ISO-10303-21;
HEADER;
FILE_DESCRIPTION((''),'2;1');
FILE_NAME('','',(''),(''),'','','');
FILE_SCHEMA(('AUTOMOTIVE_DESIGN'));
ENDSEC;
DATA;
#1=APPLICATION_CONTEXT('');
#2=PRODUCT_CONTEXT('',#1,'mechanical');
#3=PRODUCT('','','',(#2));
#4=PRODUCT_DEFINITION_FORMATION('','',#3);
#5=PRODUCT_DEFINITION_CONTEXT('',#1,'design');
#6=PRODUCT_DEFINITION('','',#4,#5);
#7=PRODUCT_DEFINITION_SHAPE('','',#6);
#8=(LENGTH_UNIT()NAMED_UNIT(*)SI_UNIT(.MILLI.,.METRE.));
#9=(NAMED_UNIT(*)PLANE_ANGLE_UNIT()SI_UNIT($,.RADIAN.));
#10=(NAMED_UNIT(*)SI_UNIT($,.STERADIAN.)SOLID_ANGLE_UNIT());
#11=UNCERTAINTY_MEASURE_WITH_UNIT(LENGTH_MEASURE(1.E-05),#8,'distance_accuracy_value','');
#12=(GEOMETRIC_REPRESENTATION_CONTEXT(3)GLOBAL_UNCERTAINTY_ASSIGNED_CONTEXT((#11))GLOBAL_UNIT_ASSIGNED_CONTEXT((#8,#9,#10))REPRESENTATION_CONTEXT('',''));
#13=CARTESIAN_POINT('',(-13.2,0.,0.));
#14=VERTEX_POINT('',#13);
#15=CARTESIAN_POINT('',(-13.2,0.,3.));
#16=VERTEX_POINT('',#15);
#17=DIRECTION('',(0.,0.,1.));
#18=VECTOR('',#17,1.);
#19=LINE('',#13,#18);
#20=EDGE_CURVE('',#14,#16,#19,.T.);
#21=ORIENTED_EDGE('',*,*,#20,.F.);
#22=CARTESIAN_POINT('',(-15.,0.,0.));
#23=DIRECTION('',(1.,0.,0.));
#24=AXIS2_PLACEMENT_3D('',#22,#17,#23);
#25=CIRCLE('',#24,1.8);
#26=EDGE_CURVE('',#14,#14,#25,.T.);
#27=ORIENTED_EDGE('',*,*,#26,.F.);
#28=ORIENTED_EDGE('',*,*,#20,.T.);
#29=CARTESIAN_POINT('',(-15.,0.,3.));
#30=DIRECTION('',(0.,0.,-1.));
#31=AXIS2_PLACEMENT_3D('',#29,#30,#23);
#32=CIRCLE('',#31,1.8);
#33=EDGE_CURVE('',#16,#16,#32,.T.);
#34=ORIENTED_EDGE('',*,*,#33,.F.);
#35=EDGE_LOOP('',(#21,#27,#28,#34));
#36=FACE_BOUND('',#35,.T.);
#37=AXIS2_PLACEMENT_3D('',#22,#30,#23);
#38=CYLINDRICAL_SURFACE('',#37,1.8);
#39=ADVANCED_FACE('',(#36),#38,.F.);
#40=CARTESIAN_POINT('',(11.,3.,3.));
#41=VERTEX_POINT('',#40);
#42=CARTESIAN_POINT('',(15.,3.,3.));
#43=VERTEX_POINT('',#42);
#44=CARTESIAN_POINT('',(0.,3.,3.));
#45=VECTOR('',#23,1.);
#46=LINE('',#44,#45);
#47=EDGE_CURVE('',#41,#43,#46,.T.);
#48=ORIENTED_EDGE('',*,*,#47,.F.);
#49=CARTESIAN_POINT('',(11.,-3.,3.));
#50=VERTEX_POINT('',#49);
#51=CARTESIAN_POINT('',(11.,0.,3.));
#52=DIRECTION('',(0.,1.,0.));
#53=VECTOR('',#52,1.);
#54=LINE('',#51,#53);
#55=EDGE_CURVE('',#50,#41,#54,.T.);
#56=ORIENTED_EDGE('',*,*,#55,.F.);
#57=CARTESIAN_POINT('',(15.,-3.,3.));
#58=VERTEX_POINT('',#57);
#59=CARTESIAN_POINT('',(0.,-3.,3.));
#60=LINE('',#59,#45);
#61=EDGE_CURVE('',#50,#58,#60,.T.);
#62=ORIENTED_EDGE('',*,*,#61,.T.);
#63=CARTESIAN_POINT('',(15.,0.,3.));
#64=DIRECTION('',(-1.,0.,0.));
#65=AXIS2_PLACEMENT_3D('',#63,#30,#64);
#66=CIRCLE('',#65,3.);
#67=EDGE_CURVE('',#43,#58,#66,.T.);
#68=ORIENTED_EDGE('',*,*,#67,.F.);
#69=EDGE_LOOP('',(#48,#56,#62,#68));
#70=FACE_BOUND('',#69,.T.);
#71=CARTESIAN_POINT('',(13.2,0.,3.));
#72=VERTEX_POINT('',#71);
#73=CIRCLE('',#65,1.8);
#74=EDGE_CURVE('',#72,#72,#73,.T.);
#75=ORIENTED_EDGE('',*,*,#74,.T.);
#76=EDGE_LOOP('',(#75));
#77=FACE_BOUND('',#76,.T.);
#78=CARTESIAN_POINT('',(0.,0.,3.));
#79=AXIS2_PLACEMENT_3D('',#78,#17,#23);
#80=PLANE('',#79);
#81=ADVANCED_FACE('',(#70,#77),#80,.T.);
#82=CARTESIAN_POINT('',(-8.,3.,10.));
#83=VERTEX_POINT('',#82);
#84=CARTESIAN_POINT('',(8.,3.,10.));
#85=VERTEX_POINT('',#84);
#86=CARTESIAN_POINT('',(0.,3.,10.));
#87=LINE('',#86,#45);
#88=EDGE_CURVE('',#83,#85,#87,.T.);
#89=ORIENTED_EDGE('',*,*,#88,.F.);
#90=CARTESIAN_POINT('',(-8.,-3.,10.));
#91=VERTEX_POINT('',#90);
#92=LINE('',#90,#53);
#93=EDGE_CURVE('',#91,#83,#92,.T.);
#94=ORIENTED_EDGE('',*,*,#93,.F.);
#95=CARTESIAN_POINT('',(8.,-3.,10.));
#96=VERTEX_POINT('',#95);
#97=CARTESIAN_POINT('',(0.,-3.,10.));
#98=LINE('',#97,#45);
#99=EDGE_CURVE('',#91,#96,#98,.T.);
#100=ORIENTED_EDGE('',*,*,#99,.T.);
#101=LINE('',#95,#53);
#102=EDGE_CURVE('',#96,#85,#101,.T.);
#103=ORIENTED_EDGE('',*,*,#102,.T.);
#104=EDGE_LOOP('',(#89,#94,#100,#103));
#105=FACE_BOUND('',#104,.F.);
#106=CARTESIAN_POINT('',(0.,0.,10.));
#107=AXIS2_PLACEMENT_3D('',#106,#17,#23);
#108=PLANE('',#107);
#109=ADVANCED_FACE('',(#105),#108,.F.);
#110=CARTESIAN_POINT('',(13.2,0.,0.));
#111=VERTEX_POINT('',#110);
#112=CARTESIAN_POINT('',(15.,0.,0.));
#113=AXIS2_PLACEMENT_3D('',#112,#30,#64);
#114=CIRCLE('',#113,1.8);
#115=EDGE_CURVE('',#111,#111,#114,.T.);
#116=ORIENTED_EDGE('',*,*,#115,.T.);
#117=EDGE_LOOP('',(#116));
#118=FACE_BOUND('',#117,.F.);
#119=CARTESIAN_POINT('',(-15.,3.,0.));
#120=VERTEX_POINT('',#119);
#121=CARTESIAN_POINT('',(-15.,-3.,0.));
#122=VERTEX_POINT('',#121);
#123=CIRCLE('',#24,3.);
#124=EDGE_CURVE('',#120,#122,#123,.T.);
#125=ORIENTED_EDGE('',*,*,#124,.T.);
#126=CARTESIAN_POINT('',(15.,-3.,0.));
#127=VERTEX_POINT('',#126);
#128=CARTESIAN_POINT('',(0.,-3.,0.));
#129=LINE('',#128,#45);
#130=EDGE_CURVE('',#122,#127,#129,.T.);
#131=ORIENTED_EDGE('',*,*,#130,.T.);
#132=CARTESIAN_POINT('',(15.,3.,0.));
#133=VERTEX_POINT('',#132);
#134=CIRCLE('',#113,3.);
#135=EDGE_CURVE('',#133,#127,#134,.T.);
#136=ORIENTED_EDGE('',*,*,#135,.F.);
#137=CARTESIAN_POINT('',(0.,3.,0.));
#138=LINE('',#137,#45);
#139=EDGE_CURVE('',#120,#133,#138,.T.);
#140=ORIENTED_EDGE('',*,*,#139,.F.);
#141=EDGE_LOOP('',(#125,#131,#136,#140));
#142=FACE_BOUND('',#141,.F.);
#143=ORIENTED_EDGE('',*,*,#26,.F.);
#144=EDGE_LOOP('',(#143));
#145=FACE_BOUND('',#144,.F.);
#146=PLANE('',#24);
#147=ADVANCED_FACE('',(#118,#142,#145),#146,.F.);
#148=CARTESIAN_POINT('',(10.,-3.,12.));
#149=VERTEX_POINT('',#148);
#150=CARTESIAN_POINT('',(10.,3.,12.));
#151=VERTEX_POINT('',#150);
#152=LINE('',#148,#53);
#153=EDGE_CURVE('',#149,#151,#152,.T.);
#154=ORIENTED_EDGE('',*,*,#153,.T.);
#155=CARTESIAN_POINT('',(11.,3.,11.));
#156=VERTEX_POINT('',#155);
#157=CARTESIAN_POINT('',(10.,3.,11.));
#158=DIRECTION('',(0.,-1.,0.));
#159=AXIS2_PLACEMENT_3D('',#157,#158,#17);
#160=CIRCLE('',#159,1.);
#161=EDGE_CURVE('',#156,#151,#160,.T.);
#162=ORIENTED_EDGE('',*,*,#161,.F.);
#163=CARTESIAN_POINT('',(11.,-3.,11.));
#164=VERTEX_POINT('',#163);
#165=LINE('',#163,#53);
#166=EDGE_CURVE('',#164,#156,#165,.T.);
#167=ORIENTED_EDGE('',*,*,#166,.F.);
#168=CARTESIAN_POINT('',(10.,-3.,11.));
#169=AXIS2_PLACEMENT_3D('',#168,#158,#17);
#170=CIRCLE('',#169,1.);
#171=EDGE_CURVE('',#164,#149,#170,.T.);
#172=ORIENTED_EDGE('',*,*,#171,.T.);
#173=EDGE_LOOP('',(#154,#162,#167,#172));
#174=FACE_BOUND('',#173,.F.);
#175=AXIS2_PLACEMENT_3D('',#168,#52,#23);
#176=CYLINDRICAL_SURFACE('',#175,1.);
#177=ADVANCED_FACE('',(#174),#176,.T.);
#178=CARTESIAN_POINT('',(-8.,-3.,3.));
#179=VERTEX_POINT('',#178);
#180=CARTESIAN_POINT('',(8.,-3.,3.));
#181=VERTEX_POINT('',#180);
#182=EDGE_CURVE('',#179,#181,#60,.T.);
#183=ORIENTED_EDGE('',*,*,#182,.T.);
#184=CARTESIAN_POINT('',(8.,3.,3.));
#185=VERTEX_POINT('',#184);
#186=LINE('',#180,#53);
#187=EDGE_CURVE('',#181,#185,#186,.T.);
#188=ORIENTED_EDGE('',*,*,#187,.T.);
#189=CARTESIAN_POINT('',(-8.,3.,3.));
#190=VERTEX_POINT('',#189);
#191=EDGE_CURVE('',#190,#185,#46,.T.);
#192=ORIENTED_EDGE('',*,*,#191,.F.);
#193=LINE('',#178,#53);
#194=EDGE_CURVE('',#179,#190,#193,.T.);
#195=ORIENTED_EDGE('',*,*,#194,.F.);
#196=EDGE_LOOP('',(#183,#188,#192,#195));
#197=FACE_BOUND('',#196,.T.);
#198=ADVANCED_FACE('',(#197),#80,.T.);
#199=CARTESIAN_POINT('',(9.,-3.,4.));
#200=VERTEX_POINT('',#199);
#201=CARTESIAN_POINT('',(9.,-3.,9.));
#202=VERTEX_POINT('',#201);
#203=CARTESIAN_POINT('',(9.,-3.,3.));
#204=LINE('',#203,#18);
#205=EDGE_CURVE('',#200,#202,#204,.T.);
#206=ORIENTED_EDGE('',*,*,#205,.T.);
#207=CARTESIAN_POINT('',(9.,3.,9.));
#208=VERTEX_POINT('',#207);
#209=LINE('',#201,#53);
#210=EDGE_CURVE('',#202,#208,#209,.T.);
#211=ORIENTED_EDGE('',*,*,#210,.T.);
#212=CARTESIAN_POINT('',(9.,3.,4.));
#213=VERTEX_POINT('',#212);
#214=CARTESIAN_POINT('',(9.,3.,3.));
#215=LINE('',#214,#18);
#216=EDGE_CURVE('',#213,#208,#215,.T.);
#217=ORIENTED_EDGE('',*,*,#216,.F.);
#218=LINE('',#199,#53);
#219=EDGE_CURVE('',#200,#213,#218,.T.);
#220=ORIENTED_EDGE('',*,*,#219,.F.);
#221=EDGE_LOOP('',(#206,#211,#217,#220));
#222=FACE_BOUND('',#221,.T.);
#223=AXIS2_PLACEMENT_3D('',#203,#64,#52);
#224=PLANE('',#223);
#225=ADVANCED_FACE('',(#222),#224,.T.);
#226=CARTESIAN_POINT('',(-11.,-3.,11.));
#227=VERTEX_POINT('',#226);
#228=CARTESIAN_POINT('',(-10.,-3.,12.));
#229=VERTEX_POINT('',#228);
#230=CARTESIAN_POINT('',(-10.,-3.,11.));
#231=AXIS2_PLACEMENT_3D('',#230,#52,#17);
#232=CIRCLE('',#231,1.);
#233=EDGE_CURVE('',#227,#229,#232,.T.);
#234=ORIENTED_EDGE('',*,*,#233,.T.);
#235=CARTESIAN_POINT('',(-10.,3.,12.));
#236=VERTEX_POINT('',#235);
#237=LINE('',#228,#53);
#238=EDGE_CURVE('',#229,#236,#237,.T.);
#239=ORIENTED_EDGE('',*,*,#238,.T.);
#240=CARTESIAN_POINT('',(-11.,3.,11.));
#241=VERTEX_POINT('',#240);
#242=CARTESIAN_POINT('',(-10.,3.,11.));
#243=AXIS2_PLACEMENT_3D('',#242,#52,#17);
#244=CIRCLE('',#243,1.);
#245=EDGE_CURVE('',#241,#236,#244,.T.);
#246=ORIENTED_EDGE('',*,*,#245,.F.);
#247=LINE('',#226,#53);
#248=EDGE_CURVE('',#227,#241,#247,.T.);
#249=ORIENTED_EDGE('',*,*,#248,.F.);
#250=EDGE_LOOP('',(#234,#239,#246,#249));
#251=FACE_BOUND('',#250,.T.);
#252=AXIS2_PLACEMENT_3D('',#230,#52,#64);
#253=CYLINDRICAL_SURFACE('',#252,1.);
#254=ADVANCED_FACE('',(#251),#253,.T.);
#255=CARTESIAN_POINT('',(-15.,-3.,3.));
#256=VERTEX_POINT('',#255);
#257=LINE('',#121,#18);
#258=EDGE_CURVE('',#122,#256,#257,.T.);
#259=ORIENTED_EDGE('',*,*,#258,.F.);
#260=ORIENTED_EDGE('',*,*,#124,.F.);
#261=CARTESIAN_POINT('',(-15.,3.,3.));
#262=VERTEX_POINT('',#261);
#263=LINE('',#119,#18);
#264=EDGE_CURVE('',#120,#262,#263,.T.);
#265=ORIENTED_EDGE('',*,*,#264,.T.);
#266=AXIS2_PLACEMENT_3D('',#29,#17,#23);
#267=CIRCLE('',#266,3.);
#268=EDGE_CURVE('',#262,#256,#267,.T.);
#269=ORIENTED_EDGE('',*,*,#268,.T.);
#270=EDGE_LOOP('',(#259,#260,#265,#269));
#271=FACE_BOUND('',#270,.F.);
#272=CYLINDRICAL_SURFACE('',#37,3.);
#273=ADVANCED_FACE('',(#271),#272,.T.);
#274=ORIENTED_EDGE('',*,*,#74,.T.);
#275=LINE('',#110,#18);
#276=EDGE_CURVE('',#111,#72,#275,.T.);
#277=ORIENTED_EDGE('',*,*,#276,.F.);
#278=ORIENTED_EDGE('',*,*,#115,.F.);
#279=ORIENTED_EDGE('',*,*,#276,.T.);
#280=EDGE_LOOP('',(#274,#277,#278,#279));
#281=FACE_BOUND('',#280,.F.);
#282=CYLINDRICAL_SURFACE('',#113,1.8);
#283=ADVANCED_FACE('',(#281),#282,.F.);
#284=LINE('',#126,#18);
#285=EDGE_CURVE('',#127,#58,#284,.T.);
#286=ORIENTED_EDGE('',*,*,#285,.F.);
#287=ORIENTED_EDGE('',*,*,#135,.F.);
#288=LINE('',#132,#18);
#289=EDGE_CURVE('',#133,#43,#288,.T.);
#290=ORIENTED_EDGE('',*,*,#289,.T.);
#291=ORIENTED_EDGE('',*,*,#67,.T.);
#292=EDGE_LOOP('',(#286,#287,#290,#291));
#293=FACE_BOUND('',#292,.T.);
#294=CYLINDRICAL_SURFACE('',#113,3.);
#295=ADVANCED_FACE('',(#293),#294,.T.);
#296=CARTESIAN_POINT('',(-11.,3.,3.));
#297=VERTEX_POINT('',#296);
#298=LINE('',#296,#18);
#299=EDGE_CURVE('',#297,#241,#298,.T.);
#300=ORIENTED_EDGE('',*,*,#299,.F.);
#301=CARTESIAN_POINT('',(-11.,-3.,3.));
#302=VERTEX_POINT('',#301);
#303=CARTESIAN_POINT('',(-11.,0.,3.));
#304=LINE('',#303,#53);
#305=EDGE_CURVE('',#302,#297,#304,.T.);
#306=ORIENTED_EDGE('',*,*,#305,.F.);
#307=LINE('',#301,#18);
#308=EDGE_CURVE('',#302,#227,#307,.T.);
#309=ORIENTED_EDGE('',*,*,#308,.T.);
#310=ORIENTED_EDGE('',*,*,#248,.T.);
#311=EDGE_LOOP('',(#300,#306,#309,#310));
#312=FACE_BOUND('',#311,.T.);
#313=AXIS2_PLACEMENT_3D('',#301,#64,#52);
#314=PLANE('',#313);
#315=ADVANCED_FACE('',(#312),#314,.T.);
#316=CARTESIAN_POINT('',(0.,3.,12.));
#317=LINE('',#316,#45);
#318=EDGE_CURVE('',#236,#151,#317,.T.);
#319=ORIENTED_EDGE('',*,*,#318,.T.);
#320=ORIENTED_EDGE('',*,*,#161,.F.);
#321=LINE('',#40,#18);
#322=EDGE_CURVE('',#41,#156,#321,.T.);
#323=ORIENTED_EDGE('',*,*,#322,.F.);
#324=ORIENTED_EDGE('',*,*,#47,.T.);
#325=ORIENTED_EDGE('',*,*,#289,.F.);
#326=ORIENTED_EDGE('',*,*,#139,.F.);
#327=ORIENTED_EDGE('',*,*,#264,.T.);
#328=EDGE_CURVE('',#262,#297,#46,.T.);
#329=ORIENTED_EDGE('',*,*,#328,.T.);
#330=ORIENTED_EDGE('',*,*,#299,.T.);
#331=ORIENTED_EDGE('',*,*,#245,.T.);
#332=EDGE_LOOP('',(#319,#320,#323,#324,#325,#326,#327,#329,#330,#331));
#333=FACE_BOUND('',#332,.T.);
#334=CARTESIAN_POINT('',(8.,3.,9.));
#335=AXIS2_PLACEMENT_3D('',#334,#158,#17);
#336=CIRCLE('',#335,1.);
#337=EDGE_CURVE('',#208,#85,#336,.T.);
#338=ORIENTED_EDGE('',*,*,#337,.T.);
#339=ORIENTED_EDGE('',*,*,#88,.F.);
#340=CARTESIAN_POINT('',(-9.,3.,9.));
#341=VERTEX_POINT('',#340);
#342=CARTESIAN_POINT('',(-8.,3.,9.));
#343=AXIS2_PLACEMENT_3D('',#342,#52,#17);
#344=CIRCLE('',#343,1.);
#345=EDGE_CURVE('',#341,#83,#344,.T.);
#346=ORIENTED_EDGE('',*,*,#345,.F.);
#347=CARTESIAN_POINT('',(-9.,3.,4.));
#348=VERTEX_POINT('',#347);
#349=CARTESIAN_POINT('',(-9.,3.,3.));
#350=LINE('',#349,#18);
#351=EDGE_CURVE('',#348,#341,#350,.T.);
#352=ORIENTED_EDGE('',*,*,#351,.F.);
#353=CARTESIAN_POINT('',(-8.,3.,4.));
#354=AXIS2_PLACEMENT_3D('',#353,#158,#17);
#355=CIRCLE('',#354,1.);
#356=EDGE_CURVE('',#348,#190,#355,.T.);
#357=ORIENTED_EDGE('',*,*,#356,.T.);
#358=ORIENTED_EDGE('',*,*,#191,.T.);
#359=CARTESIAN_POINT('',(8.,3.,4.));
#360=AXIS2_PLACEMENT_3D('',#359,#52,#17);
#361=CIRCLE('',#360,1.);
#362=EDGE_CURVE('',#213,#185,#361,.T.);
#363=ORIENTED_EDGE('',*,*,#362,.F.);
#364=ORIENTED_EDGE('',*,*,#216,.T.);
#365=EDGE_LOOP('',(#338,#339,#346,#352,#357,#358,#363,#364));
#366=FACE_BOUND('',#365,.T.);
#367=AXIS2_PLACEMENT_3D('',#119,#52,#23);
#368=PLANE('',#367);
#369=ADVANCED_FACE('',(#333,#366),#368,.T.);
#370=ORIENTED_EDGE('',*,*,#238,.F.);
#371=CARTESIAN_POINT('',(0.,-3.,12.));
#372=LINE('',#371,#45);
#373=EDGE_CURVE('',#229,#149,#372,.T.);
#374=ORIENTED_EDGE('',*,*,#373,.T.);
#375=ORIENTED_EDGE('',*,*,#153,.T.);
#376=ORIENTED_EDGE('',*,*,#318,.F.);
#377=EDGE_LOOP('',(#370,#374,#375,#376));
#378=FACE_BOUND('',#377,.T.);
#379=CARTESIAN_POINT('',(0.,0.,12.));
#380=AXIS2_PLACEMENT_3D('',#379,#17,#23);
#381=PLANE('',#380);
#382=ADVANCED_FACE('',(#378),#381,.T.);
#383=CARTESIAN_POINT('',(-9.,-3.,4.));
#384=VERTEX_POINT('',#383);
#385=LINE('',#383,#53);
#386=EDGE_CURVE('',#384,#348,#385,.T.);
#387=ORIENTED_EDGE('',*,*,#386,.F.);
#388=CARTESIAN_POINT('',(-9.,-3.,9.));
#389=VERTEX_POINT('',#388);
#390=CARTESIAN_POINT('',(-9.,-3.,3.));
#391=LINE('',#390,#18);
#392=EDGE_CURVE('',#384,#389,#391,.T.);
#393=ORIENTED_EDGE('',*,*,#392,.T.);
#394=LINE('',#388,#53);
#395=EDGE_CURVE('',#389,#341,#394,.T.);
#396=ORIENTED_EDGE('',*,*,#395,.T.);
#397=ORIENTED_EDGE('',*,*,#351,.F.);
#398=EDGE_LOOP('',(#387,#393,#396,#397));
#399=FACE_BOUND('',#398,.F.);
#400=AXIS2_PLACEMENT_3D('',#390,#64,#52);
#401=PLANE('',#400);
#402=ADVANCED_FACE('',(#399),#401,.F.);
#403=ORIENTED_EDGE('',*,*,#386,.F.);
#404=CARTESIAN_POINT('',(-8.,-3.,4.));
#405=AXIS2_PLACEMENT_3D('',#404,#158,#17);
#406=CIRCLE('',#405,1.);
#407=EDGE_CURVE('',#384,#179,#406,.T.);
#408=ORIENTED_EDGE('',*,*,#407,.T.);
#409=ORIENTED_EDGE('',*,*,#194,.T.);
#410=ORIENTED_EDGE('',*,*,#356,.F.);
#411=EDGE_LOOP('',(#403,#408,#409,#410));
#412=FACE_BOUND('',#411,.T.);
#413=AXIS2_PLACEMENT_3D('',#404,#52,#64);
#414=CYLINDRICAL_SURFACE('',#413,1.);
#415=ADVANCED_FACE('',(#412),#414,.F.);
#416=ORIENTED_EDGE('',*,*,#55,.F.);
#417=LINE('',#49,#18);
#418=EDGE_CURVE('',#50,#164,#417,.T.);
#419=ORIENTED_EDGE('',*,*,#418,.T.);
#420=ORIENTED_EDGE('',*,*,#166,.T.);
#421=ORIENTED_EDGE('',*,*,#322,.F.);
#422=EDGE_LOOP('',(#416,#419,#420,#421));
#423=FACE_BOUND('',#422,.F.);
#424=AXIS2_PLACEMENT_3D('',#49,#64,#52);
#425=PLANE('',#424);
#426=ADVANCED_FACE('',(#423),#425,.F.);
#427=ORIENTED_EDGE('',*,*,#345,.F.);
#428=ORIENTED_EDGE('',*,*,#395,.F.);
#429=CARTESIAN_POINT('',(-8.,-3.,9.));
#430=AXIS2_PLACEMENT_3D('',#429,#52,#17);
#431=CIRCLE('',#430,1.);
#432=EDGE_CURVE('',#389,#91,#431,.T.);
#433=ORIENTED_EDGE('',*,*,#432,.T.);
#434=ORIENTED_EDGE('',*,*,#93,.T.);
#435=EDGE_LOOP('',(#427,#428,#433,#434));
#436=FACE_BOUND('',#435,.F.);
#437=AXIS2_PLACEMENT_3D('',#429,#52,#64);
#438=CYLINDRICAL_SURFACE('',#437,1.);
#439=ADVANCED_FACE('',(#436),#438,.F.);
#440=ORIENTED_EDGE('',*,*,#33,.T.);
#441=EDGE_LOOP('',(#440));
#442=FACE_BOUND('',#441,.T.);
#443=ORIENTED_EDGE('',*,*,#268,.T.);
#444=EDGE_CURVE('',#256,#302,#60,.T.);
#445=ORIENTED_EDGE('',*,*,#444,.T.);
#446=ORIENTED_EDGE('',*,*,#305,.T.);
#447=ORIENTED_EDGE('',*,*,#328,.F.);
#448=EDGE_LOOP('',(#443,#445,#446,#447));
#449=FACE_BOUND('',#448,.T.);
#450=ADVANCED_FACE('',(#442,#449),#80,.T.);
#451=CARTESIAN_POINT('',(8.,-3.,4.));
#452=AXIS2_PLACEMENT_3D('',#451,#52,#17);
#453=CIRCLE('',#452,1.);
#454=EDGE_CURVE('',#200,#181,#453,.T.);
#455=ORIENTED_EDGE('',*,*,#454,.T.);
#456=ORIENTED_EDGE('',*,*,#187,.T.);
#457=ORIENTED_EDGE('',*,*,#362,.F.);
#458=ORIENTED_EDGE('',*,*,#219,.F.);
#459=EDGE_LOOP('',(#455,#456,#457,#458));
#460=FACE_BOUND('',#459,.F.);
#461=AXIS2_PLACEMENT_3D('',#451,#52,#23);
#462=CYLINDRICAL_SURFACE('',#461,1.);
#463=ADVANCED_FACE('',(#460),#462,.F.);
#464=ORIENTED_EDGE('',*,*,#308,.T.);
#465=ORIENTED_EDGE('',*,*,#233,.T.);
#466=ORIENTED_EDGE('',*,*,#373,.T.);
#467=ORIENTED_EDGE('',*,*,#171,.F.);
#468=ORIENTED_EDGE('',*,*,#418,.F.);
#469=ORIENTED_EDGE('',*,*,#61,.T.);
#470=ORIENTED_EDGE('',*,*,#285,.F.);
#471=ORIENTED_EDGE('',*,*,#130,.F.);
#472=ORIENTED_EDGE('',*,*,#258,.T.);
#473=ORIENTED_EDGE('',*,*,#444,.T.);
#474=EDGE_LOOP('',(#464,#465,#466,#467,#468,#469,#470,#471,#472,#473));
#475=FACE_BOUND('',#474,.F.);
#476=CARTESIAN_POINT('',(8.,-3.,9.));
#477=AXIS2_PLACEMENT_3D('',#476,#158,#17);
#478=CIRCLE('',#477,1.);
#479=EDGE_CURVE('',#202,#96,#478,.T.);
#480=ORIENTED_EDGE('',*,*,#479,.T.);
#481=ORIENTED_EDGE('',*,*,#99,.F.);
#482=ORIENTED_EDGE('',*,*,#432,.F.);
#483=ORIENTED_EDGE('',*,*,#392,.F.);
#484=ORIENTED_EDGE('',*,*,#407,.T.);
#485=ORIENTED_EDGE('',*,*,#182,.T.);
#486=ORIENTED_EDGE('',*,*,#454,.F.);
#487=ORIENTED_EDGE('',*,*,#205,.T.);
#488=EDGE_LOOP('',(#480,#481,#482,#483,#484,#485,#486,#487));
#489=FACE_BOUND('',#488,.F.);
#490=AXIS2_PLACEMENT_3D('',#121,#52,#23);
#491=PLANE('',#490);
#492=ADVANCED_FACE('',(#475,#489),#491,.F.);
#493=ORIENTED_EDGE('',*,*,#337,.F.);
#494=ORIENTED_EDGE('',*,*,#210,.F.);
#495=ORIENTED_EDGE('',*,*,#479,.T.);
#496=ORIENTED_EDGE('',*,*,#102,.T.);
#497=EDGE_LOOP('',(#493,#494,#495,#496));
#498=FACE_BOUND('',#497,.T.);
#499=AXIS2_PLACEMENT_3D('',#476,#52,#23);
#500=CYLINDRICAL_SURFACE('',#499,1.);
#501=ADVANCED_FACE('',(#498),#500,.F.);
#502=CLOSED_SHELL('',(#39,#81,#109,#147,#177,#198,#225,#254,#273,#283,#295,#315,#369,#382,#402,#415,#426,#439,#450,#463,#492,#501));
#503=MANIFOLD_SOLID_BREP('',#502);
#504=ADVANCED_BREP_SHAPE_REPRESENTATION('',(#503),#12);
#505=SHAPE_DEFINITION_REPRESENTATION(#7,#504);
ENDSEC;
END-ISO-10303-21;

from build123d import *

# Parameters (mm, degrees)
CYLINDER001_R     = 1.8
CYLINDER001_DEPTH = 10
BOX002_W          = 18
BOX002_H          = 6
BOX002_DEPTH      = 7
FILLET_R          = 1
CYLINDER_R        = 3
CYLINDER_DEPTH    = 3
BOX_W             = 30
BOX_H             = 6
BOX_DEPTH         = 3
BOX001_W          = 22
BOX001_H          = 6
BOX001_DEPTH      = 9
FILLET001_R       = 1


with BuildPart() as bolt_hole:
    # Cylinder001 → Cylinder001 (new body)
    with BuildSketch(Plane(origin=(-15, 0, 0), x_dir=(1, 0, 0), z_dir=(0, 0, 1))):
        Circle(CYLINDER001_R)
    extrude(amount=CYLINDER001_DEPTH)


with BuildPart() as central_hole_fillet:
    # Box002 → Box002 (new body)
    with BuildSketch(Plane(origin=(-9, -3, 3), x_dir=(1, 0, 0), z_dir=(0, 0, 1))):
        with Locations((9, 3)):
            Rectangle(BOX002_W, BOX002_H)
    extrude(amount=BOX002_DEPTH)

    # Fillet
    fillet_edges = [central_hole_fillet.edges().sort_by_distance(p)[0] for p in [
        (-9, 0, 10),
        (-9, 0, 3),
        (9, 0, 10),
        (9, 0, 3),
    ]]
    fillet(fillet_edges, radius=FILLET_R)


with BuildPart() as extract_fusion:
    # Part__Mirroring001: instance of bolt hole
    add(bolt_hole.part.mirror(Plane(origin=(0, 0, 0), x_dir=(0, -1, 0), z_dir=(1, 0, 0))))

    # Fusion001: union bolt hole, central hole fillet
    add(bolt_hole.part)
    add(central_hole_fillet.part)


with BuildPart() as end_cylinder:
    # Cylinder → Cylinder (new body)
    with BuildSketch(Plane(origin=(-15, 0, 0), x_dir=(1, 0, 0), z_dir=(0, 0, 1))):
        Circle(CYLINDER_R)
    extrude(amount=CYLINDER_DEPTH)


with BuildPart() as part_mirroring:
    # Part__Mirroring: instance of end cylinder
    add(end_cylinder.part.mirror(Plane(origin=(0, 0, 0), x_dir=(0, -1, 0), z_dir=(1, 0, 0))))


with BuildPart() as bottom_cube:
    # Box → Box (new body)
    with BuildSketch(Plane(origin=(-15, -3, 0), x_dir=(1, 0, 0), z_dir=(0, 0, 1))):
        with Locations((15, 3)):
            Rectangle(BOX_W, BOX_H)
    extrude(amount=BOX_DEPTH)


with BuildPart() as top_cube_fillet:
    # Box001 → Box001 (new body)
    with BuildSketch(Plane(origin=(-11, -3, 3), x_dir=(1, 0, 0), z_dir=(0, 0, 1))):
        with Locations((11, 3)):
            Rectangle(BOX001_W, BOX001_H)
    extrude(amount=BOX001_DEPTH)

    # Fillet001
    fillet001_edges = [top_cube_fillet.edges().sort_by_distance(p)[0] for p in [
        (-11, 0, 12),
        (11, 0, 12),
    ]]
    fillet(fillet001_edges, radius=FILLET001_R)


with BuildPart() as wire_holder:
    # Fusion base: copy of end cylinder
    add(end_cylinder.part)

    # Fusion: union Part__Mirroring, bottom cube, top cube fillet
    add(part_mirroring.part)
    add(bottom_cube.part)
    add(top_cube_fillet.part)

    # Cut: cut extract fusion
    add(extract_fusion.part, mode=Mode.SUBTRACT)


solid = wire_holder.part
